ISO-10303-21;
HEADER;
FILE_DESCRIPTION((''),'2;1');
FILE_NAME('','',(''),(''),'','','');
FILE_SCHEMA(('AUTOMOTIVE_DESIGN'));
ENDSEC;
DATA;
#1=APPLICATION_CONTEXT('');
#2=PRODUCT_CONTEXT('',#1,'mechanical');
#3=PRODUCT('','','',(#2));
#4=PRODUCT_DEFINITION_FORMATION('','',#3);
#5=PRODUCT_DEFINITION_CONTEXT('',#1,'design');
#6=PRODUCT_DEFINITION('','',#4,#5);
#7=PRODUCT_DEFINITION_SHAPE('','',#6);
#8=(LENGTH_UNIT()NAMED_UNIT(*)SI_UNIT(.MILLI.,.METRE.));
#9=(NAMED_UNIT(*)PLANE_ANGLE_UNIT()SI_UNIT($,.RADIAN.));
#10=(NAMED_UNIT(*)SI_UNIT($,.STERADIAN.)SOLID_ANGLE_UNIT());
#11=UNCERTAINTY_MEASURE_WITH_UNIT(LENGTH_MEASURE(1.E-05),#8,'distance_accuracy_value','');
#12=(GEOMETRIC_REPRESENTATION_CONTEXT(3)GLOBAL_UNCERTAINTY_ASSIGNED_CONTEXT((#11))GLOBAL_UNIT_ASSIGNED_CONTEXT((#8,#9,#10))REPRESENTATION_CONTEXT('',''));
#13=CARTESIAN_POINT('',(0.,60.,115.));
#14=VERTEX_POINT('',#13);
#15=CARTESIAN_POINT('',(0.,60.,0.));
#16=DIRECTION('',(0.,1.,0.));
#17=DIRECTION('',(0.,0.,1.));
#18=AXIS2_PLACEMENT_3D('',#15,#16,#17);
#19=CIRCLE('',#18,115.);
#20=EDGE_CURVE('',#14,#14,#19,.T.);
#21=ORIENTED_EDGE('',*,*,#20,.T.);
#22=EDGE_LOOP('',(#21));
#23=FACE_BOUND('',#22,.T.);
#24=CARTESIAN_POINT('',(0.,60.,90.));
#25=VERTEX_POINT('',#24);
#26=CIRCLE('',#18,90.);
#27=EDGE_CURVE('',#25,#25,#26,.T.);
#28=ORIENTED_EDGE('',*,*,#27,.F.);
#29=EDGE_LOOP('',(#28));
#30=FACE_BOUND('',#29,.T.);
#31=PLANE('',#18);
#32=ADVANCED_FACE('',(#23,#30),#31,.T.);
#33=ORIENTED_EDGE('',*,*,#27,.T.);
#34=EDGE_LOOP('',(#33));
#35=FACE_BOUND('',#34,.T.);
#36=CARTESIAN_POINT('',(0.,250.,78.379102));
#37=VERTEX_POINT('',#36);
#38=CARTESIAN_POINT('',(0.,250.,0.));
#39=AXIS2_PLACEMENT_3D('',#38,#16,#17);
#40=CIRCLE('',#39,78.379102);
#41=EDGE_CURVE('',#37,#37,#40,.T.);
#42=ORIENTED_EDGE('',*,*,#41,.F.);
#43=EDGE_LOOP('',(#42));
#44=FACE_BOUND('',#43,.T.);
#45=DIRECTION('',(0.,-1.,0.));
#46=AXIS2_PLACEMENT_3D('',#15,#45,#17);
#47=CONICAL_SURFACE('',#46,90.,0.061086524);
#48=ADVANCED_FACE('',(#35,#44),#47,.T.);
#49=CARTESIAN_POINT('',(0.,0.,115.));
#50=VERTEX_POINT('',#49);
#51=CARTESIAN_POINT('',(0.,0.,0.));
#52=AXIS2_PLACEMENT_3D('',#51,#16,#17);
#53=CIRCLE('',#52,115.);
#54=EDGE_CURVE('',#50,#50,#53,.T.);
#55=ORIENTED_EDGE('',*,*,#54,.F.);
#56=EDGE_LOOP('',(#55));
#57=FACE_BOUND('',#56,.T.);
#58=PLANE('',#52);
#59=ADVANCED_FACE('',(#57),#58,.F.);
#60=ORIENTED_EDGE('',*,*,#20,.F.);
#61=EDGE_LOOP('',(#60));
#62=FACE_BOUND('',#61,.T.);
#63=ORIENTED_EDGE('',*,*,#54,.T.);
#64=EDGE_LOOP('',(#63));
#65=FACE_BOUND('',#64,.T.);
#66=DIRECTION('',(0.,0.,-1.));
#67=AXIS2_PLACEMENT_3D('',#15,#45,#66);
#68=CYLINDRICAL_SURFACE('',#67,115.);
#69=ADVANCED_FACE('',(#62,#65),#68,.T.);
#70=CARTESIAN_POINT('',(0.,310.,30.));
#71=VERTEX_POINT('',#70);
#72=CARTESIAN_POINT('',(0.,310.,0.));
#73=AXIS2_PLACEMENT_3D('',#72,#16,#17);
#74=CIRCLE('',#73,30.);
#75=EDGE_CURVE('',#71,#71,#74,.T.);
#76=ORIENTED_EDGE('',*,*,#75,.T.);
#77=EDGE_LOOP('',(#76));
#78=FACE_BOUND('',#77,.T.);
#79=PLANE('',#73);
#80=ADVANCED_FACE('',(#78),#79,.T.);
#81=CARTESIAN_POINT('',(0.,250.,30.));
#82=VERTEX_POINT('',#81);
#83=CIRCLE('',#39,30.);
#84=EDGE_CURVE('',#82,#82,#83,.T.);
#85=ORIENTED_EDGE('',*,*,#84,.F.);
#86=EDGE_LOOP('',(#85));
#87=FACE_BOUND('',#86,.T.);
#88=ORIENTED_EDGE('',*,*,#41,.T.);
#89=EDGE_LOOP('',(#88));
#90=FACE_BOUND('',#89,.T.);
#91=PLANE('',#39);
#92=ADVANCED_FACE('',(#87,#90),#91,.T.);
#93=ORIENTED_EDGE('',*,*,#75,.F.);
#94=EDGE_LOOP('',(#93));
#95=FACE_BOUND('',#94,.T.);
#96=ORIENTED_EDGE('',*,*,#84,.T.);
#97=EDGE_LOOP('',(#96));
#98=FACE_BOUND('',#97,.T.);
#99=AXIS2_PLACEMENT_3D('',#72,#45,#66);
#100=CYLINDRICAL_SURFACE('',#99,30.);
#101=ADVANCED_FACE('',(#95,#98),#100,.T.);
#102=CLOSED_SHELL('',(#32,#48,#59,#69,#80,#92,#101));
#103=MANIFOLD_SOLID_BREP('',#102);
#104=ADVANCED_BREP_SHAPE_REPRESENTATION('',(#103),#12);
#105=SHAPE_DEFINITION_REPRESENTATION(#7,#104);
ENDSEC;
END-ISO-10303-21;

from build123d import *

# Parameters (mm, degrees)
SKETCH1_R           = 115
BOSS_EXTRUDE1_DEPTH = 60
SKETCH2_R           = 90
BOSS_EXTRUDE2_DEPTH = 190
BOSS_EXTRUDE2_TAPER = 3.5
SKETCH3_R           = 30
BOSS_EXTRUDE3_DEPTH = 60


with BuildPart() as part:
    # Sketch1 → Boss-Extrude1 (new body)
    with BuildSketch(Plane(origin=(0, 0, 0), x_dir=(1, 0, 0), z_dir=(0, 1, 0))):
        with Locations(Location((0, 0, 0), (0, 0, 270))):
            Circle(SKETCH1_R)
    extrude(amount=BOSS_EXTRUDE1_DEPTH)

    # Sketch2 → Boss-Extrude2 (add)
    with BuildSketch(Plane(origin=(0, 60, 0), x_dir=(1, 0, 0), z_dir=(0, 1, 0))):
        Circle(SKETCH2_R)
    extrude(amount=BOSS_EXTRUDE2_DEPTH, taper=BOSS_EXTRUDE2_TAPER)

    # Sketch3 → Boss-Extrude3 (add)
    with BuildSketch(Plane(origin=(0, 250, 0), x_dir=(1, 0, 0), z_dir=(0, 1, 0))):
        with Locations(Location((0, 0, 0), (0, 0, 270))):
            Circle(SKETCH3_R)
    extrude(amount=BOSS_EXTRUDE3_DEPTH)


solid = part.part
